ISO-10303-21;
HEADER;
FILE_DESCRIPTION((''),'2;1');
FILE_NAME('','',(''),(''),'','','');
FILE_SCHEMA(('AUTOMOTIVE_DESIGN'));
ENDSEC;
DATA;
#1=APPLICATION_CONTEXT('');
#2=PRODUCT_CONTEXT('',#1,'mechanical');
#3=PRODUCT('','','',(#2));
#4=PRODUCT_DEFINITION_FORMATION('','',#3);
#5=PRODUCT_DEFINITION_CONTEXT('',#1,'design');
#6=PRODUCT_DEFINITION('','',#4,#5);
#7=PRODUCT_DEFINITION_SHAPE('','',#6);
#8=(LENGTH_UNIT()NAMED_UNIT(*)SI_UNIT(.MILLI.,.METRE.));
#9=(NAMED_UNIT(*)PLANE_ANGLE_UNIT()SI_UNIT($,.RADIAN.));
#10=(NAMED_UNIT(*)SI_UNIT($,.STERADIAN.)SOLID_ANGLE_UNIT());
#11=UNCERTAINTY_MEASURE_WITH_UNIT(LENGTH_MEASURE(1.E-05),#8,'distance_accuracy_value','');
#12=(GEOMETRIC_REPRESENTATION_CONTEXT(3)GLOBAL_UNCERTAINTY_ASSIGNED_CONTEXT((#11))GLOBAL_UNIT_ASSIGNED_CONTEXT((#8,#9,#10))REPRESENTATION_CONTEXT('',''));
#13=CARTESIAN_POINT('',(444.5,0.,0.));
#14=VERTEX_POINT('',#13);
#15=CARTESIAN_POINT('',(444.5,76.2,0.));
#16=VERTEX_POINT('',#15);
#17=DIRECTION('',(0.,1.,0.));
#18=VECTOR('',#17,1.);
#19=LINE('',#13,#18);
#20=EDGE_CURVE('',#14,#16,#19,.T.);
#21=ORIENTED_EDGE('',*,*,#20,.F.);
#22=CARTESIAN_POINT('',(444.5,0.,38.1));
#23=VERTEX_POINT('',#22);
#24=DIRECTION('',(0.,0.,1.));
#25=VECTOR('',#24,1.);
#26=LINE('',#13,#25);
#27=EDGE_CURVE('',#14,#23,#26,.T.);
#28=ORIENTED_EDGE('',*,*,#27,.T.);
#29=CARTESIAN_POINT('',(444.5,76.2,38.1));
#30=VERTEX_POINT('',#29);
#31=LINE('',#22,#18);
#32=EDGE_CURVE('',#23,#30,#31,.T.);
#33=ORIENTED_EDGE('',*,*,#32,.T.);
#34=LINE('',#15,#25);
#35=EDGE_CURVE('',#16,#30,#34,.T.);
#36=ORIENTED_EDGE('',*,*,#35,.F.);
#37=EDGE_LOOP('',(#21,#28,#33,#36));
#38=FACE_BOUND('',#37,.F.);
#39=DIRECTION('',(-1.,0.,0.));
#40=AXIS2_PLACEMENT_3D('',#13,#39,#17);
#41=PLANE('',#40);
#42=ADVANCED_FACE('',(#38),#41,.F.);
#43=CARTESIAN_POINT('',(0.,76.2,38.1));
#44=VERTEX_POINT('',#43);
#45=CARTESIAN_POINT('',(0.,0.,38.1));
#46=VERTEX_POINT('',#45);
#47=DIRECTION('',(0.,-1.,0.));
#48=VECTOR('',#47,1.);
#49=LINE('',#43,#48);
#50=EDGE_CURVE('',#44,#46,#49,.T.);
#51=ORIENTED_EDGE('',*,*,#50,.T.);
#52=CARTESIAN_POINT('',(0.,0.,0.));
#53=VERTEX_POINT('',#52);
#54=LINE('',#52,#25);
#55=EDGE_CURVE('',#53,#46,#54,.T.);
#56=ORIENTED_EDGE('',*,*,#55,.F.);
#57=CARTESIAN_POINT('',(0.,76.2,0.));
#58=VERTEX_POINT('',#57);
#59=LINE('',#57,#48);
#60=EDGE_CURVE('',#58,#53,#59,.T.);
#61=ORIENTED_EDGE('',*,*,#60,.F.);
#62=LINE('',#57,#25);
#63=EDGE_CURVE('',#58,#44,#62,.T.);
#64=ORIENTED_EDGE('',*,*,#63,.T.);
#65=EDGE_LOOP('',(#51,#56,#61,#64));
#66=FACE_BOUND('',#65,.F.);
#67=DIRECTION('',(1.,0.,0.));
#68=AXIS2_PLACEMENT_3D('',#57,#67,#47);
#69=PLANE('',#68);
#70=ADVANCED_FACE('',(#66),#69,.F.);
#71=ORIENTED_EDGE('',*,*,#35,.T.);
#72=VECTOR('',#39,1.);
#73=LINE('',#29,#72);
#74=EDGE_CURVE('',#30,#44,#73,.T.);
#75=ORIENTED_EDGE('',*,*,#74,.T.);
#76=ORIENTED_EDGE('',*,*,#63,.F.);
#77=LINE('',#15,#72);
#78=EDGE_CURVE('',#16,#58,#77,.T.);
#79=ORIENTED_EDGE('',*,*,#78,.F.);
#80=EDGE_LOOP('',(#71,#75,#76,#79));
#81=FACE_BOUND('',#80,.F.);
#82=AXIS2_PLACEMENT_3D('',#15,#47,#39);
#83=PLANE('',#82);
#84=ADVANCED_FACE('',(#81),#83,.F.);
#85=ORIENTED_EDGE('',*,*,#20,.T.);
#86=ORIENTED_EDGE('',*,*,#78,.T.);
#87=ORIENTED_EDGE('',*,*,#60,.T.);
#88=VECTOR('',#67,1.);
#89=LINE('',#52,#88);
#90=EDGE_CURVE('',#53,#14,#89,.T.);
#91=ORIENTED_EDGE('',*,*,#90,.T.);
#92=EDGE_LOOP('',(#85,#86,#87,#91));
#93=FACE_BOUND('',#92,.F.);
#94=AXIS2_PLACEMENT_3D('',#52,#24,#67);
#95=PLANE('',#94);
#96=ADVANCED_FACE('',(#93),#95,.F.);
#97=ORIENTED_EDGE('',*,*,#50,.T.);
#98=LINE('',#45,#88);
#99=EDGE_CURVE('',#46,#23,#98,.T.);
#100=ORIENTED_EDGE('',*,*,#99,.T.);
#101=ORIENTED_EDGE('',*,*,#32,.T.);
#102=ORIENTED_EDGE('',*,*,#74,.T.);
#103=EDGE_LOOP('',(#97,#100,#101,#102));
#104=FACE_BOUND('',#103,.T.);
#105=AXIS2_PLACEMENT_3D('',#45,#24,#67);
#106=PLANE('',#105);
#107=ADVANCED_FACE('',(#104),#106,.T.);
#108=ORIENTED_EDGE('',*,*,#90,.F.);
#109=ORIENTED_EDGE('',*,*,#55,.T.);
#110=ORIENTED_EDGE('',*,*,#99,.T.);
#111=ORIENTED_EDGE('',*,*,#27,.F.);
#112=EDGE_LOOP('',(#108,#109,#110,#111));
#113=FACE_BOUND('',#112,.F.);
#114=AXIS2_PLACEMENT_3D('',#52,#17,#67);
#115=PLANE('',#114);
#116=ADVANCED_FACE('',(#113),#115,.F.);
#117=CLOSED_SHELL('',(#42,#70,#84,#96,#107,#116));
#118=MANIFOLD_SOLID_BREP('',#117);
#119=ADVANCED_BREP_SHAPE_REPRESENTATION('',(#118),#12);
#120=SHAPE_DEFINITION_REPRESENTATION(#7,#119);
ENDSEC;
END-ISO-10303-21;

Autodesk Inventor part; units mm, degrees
ref_plane "YZ Plane" through (0, 0, 0) normal (1, 0, 0) x (0, 1, 0)
ref_plane "XZ Plane" through (0, 0, 0) normal (0, 1, 0) x (-1, 0, 0)
ref_plane "XY Plane" through (0, 0, 0) normal (0, 0, 1) x (1, 0, 0)
sketch "Sketch1" plane through (0, 0, 0) normal (0, 0, 1) x (1, 0, 0)
  line L0 (0, 0) -> (444.5, 0)
  line L1 (444.5, 0) -> (444.5, 76.2)
  line L2 (444.5, 76.2) -> (0, 76.2)
  line L3 (0, 76.2) -> (0, 0)
  dimension "d0" = 444.5
  dimension "d1" = 76.2
extrude "Extrusion1" add sketch "Sketch1" along normal blind 38.1
properties part number "BO15" material "Wood (Oak)"
